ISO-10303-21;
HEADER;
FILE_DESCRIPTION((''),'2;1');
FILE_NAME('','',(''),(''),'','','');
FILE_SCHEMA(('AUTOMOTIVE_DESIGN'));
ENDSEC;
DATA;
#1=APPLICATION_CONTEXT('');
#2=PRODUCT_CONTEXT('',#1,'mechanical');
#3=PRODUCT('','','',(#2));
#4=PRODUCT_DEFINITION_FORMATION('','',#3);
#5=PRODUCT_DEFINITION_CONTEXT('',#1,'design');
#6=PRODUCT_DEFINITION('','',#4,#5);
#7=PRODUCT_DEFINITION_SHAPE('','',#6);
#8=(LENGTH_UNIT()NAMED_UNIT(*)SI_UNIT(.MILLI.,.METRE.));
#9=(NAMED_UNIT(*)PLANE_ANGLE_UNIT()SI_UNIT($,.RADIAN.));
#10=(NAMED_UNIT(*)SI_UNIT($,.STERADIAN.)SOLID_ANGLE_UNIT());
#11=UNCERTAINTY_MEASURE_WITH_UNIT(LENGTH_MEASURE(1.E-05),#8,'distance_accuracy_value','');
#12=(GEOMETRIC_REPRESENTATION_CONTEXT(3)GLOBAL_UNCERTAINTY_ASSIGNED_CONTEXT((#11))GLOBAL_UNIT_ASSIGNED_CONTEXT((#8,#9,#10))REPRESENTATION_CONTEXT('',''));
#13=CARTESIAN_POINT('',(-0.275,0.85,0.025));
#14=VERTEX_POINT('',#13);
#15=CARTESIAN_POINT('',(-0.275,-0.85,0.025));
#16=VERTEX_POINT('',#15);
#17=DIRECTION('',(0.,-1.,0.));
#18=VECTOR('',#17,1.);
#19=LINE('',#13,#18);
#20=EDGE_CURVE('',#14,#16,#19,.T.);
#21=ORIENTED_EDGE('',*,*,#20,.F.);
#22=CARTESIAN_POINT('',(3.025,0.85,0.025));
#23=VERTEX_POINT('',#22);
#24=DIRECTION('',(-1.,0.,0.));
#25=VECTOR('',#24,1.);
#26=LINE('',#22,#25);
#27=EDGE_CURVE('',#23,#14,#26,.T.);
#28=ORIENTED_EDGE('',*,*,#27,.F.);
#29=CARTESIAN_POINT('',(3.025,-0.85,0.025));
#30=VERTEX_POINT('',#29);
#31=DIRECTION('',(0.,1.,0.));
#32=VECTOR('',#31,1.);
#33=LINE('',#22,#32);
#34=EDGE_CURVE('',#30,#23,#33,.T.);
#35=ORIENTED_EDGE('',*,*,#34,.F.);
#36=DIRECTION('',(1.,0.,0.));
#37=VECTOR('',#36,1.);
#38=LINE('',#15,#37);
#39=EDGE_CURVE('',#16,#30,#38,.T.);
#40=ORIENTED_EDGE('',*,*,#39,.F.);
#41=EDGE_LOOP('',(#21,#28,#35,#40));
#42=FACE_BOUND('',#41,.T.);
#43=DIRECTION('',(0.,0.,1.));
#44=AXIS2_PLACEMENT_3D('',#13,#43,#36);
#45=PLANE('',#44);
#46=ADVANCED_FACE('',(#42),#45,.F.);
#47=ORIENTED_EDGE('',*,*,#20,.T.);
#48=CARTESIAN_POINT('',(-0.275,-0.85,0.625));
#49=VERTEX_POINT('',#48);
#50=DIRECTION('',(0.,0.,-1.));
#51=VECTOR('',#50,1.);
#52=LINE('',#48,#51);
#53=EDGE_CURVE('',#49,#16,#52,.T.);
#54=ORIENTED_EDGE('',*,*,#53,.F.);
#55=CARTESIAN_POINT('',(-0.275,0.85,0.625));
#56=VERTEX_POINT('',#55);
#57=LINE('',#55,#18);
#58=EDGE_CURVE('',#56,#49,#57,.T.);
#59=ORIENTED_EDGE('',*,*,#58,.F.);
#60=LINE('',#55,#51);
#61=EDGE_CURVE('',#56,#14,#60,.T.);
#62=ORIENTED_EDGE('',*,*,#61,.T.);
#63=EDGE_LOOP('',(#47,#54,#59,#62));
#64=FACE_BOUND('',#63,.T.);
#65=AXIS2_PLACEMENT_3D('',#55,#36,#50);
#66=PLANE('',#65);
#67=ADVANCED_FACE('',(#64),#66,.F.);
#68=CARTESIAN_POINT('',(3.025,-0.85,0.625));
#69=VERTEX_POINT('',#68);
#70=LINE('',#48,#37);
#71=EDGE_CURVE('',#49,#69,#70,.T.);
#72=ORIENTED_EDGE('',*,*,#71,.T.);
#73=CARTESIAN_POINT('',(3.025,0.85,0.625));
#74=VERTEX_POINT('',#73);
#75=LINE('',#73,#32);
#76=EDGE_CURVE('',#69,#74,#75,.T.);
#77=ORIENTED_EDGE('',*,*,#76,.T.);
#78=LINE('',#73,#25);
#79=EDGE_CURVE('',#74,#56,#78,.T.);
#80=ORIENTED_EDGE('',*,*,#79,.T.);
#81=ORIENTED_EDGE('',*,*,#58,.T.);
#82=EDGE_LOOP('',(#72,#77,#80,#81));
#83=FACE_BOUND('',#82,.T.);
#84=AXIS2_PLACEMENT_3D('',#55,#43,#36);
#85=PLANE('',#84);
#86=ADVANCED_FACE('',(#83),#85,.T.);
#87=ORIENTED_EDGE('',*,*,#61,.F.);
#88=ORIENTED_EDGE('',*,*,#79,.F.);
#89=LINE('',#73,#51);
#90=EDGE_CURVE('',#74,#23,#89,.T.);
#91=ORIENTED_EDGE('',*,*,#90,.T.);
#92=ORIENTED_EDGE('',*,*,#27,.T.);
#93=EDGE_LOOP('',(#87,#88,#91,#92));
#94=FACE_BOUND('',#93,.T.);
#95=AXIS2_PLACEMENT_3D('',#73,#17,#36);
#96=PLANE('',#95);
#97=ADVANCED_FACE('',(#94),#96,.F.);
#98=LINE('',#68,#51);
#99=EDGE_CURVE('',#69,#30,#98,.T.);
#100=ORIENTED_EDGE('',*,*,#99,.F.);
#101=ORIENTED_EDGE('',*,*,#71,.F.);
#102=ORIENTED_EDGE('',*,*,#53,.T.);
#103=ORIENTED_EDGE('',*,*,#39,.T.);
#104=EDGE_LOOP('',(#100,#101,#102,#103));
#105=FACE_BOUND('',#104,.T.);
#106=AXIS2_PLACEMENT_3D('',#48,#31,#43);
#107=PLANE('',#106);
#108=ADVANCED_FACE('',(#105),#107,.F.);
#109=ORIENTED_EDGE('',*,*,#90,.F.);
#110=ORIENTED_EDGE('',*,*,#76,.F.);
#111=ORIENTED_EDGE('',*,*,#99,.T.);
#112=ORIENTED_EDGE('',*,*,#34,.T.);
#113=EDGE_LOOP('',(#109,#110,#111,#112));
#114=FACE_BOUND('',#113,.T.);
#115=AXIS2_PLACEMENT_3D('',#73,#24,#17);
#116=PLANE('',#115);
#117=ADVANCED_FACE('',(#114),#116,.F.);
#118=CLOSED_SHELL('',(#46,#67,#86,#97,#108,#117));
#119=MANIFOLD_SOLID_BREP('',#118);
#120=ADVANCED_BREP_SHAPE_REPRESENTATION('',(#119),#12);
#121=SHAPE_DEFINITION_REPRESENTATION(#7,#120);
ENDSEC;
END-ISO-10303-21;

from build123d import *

# Parameters (mm, degrees)
SKETCH_2_W      = 3.3
SKETCH_2_H      = 1.7
EXTRUDE_1_DEPTH = 0.6


with BuildPart() as part:
    # Эскиз2 → Вытянуть1 (new body)
    with BuildSketch(Plane.XY.offset(0.025)):
        with Locations((1.375, 0)):
            Rectangle(SKETCH_2_W, SKETCH_2_H)
    extrude(amount=EXTRUDE_1_DEPTH)


solid = part.part
